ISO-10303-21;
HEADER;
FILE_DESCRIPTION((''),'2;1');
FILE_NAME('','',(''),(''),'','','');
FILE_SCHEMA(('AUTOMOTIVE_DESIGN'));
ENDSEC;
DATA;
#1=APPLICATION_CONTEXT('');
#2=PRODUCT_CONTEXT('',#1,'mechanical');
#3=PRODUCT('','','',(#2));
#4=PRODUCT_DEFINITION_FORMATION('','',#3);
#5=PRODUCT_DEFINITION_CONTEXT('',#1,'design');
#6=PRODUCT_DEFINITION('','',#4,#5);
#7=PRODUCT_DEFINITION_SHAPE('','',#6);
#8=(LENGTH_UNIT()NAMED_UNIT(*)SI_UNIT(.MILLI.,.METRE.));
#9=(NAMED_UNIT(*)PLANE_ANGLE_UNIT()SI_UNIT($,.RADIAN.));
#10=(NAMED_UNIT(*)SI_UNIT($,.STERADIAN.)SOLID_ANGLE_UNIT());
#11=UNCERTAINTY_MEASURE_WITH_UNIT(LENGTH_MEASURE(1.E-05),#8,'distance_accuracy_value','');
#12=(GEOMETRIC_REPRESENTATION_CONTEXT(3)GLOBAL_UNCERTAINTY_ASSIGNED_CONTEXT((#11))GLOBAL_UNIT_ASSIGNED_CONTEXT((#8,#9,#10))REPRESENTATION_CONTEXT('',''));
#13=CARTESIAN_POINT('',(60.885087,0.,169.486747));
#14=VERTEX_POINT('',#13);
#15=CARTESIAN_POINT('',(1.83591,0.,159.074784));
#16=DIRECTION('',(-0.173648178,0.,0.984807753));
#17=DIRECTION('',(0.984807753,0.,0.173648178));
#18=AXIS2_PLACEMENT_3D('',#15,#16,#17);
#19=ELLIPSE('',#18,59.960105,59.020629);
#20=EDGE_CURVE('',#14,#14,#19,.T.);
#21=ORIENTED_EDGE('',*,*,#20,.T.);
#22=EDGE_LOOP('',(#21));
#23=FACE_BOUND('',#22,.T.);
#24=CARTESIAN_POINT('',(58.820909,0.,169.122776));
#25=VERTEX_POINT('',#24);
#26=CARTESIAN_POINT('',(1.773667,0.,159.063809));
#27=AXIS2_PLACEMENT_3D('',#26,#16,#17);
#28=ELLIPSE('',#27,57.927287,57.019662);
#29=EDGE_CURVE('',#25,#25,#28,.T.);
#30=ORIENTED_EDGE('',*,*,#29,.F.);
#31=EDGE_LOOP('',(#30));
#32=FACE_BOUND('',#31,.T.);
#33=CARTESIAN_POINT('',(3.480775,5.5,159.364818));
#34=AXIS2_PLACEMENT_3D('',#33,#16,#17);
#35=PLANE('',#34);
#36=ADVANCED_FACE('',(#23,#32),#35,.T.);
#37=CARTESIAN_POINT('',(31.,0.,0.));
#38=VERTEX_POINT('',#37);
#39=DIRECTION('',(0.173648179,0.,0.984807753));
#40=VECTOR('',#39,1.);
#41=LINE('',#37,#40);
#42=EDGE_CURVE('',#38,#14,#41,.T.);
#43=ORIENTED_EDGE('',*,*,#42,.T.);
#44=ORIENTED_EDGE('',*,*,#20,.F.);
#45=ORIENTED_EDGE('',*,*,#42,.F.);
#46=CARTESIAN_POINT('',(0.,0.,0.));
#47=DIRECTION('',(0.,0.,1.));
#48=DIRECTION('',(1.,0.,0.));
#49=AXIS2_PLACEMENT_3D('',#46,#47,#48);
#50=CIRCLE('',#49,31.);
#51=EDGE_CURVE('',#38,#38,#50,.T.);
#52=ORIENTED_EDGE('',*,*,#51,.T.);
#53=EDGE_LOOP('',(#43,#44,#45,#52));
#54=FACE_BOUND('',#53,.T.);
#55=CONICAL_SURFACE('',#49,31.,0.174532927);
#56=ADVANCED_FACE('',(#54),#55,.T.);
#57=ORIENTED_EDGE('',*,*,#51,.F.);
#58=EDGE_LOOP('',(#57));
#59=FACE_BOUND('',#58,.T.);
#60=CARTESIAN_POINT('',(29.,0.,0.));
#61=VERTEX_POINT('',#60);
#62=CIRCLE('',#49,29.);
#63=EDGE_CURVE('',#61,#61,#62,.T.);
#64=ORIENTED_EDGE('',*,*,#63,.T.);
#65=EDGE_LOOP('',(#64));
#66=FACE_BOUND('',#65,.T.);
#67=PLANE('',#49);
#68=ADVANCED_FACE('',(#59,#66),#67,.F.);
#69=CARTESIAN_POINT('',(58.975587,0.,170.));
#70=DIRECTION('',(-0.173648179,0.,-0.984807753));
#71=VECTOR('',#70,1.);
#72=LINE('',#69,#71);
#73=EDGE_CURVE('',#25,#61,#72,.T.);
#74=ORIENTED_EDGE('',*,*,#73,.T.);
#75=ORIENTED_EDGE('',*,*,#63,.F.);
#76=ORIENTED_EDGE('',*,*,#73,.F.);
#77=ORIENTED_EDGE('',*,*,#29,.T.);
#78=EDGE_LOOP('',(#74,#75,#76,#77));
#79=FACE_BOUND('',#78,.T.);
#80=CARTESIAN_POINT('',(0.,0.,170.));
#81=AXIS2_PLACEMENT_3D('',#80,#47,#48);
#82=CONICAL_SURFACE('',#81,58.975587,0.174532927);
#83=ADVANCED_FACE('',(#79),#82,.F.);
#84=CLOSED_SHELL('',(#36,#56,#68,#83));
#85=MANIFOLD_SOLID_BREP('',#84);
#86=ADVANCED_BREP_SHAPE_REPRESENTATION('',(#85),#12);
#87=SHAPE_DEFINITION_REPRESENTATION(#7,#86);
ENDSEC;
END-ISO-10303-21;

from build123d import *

# Parameters (mm, degrees)
BOX001_W           = 200
BOX001_H           = 199
BOX001_DEPTH       = 200
BOX001_PITCH_ANGLE = -10


with BuildPart() as cube001:
    # Box001 → Box001 (new body)
    with BuildSketch(Plane.XY):
        with Locations((100, 99.5)):
            Rectangle(BOX001_W, BOX001_H)
    extrude(amount=BOX001_DEPTH)


with BuildPart() as cube001_1:
    # Box001 pitch: moved
    add(cube001.part.rotate(Axis((0, 0, 0), (0, 1, 0)), BOX001_PITCH_ANGLE))


with BuildPart() as cube001_2:
    # Box001 placement: moved
    add(cube001_1.part.moved(Location((-95, -94, 142))))


with BuildPart() as center_shade_62mm_base:
    # Sketch001 → Revolution001 (revolve)
    with BuildSketch(Plane.XZ):
        Polygon((31, 0), (60.975587, 170), (58.975587, 170), (29, 0), align=None)
    revolve(axis=Axis((0, 0, 0), (0, 0, 1)))

    # Cut001: cut Cube001
    add(cube001_2.part, mode=Mode.SUBTRACT)


solid = center_shade_62mm_base.part
